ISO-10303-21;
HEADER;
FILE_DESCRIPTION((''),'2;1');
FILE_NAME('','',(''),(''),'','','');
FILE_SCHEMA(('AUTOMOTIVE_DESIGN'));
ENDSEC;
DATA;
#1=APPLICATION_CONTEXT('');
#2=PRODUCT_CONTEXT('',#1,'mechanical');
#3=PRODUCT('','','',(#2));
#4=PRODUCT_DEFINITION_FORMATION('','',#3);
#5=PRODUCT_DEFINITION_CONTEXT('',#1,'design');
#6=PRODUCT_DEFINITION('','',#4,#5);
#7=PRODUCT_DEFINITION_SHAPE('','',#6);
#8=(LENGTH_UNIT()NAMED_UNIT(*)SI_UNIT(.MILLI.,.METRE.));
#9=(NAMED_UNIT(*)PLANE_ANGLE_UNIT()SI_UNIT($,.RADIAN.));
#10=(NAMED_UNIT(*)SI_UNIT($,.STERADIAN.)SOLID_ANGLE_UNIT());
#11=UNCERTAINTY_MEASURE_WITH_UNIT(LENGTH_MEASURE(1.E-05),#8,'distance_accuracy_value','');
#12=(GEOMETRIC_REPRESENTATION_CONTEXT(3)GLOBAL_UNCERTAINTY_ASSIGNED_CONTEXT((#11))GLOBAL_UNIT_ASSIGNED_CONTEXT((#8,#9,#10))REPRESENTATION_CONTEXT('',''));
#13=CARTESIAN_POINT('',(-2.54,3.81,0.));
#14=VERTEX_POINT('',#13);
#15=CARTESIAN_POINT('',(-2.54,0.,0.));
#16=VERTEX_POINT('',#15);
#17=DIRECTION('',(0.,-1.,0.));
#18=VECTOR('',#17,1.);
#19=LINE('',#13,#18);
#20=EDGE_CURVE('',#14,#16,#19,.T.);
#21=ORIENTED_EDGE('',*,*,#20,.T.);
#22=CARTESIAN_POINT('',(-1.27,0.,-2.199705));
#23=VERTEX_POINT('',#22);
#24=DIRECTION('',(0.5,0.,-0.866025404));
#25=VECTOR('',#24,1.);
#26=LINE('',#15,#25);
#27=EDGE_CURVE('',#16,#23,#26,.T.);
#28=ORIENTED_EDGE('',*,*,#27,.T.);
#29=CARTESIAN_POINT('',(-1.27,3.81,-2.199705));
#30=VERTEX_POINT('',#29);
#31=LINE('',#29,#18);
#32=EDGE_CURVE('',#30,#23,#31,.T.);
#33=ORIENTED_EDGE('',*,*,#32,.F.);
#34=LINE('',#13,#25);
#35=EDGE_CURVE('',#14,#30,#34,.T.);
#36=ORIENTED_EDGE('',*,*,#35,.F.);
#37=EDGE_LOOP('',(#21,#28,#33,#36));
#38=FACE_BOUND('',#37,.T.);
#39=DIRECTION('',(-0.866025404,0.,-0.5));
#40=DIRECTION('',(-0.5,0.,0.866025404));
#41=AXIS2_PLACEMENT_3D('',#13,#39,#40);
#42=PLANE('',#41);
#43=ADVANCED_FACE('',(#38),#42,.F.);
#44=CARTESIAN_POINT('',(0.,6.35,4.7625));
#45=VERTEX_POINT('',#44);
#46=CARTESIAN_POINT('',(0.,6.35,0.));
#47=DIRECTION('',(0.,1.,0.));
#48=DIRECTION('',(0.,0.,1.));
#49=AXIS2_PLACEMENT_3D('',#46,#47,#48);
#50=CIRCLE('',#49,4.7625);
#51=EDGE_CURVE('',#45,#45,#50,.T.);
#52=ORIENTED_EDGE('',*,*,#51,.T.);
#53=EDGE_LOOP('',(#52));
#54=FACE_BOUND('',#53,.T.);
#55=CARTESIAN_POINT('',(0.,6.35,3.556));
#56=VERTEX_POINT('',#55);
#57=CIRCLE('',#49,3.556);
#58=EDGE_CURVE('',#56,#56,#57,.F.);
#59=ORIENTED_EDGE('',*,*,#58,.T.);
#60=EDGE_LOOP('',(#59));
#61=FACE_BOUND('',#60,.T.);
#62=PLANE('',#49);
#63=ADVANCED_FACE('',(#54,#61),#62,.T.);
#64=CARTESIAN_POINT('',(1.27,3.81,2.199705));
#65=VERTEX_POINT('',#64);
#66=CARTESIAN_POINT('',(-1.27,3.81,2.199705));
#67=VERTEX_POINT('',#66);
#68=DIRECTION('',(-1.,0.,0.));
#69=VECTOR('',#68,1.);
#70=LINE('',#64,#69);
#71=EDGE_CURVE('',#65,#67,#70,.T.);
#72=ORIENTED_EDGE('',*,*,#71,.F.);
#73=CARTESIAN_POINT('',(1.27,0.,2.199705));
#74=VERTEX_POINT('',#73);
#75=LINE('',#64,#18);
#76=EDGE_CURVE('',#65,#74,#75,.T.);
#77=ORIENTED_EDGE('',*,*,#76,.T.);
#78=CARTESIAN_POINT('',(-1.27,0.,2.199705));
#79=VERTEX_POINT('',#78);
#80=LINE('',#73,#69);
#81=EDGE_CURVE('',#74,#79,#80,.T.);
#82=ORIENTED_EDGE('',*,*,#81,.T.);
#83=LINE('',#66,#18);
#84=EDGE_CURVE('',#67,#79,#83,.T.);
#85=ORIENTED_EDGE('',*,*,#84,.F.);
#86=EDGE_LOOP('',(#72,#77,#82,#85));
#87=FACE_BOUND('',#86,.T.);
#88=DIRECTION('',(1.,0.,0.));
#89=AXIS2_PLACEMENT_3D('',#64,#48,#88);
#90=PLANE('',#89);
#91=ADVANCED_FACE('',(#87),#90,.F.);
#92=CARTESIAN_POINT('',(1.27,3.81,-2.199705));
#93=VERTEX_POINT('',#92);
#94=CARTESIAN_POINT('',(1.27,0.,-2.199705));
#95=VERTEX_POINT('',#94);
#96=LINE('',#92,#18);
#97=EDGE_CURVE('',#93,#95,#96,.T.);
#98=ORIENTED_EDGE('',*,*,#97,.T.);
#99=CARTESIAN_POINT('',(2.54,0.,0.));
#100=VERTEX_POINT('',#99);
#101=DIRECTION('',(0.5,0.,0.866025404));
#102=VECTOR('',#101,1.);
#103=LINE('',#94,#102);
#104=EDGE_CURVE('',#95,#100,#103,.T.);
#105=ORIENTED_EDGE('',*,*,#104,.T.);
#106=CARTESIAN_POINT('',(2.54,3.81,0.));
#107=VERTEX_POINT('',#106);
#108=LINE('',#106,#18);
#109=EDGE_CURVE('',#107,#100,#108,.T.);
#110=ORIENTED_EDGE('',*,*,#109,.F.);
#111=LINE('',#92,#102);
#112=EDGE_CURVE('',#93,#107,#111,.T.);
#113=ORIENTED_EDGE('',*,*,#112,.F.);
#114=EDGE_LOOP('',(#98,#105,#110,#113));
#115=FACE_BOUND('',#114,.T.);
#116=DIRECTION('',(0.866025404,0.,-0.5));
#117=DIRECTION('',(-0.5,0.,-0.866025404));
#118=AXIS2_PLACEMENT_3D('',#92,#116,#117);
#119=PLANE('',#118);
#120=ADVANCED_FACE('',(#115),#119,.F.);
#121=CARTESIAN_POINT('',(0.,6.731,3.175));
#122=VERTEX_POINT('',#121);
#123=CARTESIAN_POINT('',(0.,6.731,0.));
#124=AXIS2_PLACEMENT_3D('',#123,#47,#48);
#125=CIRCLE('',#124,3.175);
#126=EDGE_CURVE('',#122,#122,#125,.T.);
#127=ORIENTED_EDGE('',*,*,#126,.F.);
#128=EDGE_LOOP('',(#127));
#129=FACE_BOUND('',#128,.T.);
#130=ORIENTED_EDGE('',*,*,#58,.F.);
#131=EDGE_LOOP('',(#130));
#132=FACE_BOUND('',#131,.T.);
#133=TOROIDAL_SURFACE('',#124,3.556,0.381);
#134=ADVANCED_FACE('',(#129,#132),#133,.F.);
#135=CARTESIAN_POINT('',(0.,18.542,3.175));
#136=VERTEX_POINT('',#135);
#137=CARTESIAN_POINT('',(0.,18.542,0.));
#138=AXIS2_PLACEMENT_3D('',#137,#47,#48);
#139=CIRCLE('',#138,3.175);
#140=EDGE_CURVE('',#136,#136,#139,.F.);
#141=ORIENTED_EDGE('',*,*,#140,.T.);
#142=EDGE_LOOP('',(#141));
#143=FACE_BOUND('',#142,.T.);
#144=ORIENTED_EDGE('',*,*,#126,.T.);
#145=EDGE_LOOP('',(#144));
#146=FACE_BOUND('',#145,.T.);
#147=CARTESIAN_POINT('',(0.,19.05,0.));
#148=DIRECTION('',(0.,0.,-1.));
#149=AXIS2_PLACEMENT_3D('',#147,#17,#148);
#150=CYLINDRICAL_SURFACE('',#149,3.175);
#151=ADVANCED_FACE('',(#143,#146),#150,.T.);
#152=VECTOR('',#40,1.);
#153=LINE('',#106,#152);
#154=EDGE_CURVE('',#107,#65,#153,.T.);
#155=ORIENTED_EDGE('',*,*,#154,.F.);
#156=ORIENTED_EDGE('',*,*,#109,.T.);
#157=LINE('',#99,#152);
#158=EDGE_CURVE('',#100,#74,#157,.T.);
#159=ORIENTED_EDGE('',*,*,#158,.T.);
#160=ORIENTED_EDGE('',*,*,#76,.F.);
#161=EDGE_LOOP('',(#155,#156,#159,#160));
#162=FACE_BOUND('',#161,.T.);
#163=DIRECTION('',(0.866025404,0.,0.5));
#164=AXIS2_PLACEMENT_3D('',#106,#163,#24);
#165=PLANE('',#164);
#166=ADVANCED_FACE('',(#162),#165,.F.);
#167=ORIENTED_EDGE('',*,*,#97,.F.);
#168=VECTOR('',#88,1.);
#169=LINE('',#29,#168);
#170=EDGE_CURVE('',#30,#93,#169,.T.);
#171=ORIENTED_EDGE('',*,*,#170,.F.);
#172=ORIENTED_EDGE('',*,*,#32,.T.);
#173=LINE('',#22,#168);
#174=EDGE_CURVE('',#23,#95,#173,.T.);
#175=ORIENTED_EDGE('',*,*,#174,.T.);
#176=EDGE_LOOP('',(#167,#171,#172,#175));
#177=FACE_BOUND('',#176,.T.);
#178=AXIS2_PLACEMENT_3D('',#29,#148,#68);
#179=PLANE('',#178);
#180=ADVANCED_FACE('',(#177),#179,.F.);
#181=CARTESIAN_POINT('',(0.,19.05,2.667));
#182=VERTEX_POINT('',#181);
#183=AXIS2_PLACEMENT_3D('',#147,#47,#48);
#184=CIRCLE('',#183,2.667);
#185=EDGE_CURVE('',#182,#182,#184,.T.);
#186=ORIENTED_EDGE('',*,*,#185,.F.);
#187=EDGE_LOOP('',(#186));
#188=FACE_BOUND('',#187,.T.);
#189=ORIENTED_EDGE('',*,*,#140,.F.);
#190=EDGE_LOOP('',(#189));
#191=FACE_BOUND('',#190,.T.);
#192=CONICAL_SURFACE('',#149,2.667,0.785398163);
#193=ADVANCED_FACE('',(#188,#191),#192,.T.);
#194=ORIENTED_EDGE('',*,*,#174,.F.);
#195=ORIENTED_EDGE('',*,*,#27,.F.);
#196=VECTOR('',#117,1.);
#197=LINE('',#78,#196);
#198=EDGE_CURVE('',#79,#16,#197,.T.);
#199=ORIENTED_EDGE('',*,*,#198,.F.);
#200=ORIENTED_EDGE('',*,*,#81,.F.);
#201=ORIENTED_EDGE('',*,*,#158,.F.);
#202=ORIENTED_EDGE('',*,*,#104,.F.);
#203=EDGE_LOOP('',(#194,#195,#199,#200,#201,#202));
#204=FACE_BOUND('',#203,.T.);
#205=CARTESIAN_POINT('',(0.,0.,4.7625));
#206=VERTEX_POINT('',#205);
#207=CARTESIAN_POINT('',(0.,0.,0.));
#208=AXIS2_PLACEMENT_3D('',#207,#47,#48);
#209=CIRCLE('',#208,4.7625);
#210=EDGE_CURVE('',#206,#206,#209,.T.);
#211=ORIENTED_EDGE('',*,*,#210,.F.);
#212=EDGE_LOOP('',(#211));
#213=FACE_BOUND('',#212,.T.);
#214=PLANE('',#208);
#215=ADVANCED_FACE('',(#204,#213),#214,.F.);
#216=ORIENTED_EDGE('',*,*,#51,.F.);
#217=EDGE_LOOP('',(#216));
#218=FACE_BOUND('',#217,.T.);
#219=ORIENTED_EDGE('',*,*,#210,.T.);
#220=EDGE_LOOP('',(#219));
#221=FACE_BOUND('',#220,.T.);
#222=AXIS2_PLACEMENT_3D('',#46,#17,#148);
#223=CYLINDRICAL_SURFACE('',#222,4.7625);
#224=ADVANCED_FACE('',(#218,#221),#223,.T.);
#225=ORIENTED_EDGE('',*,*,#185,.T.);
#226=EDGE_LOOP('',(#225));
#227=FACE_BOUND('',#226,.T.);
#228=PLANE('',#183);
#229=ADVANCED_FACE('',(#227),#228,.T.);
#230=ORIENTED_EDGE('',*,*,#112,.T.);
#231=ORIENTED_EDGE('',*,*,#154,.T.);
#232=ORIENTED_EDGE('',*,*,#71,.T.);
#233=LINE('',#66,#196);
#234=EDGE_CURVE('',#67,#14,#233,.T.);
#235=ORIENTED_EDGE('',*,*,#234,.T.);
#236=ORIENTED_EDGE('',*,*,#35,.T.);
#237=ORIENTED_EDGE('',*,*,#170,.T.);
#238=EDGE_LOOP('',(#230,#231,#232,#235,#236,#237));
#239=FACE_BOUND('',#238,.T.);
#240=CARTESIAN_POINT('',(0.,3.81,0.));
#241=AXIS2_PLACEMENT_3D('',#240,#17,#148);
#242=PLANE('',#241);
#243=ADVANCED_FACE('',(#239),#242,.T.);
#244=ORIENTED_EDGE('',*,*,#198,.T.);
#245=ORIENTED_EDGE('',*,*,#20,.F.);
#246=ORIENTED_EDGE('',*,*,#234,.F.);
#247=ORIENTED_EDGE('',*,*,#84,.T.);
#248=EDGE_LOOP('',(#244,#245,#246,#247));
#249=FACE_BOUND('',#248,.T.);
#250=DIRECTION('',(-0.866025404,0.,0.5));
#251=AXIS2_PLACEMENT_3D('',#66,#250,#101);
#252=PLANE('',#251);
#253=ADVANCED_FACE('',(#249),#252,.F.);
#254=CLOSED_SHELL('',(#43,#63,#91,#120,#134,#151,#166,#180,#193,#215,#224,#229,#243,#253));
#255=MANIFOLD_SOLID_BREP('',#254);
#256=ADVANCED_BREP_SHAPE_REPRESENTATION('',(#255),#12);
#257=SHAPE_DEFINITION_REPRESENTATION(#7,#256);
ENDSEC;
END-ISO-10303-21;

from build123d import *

# Parameters (mm, degrees)
SKETCH2_R           = 4.7625
BOSS_EXTRUDE1_DEPTH = 6.35
CUT_EXTRUDE1_DEPTH  = 3.81
SKETCH4_R           = 3.175
BOSS_EXTRUDE5_DEPTH = 12.7
FILLET2_R           = 0.381
CHAMFER1_SIZE       = 0.508


with BuildPart() as part:
    # Sketch2 → Boss-Extrude1 (new body)
    with BuildSketch(Plane(origin=(0, 0, 0), x_dir=(1, 0, 0), z_dir=(0, 1, 0))):
        Circle(SKETCH2_R)
    extrude(amount=BOSS_EXTRUDE1_DEPTH)

    # Sketch3 → Cut-Extrude1 (cut)
    with BuildSketch(Plane.XZ):
        Polygon((2.54, 0), (1.27, 2.199704526), (-1.27, 2.199704526), (-2.54, 0), (-1.27, -2.199704526), (1.27, -2.199704526), align=None)
    extrude(amount=-CUT_EXTRUDE1_DEPTH, mode=Mode.SUBTRACT)

    # Sketch4 → Boss-Extrude5 (add)
    with BuildSketch(Plane(origin=(0, 6.35, 0), x_dir=(1, 0, 0), z_dir=(0, 1, 0))):
        Circle(SKETCH4_R)
    extrude(amount=BOSS_EXTRUDE5_DEPTH)

    # Fillet2
    fillet2_edges = [part.edges().sort_by_distance(p)[0] for p in [
        (-3.175, 6.35, 0),
    ]]
    fillet(fillet2_edges, radius=FILLET2_R)

    # Chamfer1
    chamfer1_edges = [part.edges().sort_by_distance(p)[0] for p in [
        (-3.175, 19.05, 0),
    ]]
    chamfer(chamfer1_edges, length=CHAMFER1_SIZE)


solid = part.part
